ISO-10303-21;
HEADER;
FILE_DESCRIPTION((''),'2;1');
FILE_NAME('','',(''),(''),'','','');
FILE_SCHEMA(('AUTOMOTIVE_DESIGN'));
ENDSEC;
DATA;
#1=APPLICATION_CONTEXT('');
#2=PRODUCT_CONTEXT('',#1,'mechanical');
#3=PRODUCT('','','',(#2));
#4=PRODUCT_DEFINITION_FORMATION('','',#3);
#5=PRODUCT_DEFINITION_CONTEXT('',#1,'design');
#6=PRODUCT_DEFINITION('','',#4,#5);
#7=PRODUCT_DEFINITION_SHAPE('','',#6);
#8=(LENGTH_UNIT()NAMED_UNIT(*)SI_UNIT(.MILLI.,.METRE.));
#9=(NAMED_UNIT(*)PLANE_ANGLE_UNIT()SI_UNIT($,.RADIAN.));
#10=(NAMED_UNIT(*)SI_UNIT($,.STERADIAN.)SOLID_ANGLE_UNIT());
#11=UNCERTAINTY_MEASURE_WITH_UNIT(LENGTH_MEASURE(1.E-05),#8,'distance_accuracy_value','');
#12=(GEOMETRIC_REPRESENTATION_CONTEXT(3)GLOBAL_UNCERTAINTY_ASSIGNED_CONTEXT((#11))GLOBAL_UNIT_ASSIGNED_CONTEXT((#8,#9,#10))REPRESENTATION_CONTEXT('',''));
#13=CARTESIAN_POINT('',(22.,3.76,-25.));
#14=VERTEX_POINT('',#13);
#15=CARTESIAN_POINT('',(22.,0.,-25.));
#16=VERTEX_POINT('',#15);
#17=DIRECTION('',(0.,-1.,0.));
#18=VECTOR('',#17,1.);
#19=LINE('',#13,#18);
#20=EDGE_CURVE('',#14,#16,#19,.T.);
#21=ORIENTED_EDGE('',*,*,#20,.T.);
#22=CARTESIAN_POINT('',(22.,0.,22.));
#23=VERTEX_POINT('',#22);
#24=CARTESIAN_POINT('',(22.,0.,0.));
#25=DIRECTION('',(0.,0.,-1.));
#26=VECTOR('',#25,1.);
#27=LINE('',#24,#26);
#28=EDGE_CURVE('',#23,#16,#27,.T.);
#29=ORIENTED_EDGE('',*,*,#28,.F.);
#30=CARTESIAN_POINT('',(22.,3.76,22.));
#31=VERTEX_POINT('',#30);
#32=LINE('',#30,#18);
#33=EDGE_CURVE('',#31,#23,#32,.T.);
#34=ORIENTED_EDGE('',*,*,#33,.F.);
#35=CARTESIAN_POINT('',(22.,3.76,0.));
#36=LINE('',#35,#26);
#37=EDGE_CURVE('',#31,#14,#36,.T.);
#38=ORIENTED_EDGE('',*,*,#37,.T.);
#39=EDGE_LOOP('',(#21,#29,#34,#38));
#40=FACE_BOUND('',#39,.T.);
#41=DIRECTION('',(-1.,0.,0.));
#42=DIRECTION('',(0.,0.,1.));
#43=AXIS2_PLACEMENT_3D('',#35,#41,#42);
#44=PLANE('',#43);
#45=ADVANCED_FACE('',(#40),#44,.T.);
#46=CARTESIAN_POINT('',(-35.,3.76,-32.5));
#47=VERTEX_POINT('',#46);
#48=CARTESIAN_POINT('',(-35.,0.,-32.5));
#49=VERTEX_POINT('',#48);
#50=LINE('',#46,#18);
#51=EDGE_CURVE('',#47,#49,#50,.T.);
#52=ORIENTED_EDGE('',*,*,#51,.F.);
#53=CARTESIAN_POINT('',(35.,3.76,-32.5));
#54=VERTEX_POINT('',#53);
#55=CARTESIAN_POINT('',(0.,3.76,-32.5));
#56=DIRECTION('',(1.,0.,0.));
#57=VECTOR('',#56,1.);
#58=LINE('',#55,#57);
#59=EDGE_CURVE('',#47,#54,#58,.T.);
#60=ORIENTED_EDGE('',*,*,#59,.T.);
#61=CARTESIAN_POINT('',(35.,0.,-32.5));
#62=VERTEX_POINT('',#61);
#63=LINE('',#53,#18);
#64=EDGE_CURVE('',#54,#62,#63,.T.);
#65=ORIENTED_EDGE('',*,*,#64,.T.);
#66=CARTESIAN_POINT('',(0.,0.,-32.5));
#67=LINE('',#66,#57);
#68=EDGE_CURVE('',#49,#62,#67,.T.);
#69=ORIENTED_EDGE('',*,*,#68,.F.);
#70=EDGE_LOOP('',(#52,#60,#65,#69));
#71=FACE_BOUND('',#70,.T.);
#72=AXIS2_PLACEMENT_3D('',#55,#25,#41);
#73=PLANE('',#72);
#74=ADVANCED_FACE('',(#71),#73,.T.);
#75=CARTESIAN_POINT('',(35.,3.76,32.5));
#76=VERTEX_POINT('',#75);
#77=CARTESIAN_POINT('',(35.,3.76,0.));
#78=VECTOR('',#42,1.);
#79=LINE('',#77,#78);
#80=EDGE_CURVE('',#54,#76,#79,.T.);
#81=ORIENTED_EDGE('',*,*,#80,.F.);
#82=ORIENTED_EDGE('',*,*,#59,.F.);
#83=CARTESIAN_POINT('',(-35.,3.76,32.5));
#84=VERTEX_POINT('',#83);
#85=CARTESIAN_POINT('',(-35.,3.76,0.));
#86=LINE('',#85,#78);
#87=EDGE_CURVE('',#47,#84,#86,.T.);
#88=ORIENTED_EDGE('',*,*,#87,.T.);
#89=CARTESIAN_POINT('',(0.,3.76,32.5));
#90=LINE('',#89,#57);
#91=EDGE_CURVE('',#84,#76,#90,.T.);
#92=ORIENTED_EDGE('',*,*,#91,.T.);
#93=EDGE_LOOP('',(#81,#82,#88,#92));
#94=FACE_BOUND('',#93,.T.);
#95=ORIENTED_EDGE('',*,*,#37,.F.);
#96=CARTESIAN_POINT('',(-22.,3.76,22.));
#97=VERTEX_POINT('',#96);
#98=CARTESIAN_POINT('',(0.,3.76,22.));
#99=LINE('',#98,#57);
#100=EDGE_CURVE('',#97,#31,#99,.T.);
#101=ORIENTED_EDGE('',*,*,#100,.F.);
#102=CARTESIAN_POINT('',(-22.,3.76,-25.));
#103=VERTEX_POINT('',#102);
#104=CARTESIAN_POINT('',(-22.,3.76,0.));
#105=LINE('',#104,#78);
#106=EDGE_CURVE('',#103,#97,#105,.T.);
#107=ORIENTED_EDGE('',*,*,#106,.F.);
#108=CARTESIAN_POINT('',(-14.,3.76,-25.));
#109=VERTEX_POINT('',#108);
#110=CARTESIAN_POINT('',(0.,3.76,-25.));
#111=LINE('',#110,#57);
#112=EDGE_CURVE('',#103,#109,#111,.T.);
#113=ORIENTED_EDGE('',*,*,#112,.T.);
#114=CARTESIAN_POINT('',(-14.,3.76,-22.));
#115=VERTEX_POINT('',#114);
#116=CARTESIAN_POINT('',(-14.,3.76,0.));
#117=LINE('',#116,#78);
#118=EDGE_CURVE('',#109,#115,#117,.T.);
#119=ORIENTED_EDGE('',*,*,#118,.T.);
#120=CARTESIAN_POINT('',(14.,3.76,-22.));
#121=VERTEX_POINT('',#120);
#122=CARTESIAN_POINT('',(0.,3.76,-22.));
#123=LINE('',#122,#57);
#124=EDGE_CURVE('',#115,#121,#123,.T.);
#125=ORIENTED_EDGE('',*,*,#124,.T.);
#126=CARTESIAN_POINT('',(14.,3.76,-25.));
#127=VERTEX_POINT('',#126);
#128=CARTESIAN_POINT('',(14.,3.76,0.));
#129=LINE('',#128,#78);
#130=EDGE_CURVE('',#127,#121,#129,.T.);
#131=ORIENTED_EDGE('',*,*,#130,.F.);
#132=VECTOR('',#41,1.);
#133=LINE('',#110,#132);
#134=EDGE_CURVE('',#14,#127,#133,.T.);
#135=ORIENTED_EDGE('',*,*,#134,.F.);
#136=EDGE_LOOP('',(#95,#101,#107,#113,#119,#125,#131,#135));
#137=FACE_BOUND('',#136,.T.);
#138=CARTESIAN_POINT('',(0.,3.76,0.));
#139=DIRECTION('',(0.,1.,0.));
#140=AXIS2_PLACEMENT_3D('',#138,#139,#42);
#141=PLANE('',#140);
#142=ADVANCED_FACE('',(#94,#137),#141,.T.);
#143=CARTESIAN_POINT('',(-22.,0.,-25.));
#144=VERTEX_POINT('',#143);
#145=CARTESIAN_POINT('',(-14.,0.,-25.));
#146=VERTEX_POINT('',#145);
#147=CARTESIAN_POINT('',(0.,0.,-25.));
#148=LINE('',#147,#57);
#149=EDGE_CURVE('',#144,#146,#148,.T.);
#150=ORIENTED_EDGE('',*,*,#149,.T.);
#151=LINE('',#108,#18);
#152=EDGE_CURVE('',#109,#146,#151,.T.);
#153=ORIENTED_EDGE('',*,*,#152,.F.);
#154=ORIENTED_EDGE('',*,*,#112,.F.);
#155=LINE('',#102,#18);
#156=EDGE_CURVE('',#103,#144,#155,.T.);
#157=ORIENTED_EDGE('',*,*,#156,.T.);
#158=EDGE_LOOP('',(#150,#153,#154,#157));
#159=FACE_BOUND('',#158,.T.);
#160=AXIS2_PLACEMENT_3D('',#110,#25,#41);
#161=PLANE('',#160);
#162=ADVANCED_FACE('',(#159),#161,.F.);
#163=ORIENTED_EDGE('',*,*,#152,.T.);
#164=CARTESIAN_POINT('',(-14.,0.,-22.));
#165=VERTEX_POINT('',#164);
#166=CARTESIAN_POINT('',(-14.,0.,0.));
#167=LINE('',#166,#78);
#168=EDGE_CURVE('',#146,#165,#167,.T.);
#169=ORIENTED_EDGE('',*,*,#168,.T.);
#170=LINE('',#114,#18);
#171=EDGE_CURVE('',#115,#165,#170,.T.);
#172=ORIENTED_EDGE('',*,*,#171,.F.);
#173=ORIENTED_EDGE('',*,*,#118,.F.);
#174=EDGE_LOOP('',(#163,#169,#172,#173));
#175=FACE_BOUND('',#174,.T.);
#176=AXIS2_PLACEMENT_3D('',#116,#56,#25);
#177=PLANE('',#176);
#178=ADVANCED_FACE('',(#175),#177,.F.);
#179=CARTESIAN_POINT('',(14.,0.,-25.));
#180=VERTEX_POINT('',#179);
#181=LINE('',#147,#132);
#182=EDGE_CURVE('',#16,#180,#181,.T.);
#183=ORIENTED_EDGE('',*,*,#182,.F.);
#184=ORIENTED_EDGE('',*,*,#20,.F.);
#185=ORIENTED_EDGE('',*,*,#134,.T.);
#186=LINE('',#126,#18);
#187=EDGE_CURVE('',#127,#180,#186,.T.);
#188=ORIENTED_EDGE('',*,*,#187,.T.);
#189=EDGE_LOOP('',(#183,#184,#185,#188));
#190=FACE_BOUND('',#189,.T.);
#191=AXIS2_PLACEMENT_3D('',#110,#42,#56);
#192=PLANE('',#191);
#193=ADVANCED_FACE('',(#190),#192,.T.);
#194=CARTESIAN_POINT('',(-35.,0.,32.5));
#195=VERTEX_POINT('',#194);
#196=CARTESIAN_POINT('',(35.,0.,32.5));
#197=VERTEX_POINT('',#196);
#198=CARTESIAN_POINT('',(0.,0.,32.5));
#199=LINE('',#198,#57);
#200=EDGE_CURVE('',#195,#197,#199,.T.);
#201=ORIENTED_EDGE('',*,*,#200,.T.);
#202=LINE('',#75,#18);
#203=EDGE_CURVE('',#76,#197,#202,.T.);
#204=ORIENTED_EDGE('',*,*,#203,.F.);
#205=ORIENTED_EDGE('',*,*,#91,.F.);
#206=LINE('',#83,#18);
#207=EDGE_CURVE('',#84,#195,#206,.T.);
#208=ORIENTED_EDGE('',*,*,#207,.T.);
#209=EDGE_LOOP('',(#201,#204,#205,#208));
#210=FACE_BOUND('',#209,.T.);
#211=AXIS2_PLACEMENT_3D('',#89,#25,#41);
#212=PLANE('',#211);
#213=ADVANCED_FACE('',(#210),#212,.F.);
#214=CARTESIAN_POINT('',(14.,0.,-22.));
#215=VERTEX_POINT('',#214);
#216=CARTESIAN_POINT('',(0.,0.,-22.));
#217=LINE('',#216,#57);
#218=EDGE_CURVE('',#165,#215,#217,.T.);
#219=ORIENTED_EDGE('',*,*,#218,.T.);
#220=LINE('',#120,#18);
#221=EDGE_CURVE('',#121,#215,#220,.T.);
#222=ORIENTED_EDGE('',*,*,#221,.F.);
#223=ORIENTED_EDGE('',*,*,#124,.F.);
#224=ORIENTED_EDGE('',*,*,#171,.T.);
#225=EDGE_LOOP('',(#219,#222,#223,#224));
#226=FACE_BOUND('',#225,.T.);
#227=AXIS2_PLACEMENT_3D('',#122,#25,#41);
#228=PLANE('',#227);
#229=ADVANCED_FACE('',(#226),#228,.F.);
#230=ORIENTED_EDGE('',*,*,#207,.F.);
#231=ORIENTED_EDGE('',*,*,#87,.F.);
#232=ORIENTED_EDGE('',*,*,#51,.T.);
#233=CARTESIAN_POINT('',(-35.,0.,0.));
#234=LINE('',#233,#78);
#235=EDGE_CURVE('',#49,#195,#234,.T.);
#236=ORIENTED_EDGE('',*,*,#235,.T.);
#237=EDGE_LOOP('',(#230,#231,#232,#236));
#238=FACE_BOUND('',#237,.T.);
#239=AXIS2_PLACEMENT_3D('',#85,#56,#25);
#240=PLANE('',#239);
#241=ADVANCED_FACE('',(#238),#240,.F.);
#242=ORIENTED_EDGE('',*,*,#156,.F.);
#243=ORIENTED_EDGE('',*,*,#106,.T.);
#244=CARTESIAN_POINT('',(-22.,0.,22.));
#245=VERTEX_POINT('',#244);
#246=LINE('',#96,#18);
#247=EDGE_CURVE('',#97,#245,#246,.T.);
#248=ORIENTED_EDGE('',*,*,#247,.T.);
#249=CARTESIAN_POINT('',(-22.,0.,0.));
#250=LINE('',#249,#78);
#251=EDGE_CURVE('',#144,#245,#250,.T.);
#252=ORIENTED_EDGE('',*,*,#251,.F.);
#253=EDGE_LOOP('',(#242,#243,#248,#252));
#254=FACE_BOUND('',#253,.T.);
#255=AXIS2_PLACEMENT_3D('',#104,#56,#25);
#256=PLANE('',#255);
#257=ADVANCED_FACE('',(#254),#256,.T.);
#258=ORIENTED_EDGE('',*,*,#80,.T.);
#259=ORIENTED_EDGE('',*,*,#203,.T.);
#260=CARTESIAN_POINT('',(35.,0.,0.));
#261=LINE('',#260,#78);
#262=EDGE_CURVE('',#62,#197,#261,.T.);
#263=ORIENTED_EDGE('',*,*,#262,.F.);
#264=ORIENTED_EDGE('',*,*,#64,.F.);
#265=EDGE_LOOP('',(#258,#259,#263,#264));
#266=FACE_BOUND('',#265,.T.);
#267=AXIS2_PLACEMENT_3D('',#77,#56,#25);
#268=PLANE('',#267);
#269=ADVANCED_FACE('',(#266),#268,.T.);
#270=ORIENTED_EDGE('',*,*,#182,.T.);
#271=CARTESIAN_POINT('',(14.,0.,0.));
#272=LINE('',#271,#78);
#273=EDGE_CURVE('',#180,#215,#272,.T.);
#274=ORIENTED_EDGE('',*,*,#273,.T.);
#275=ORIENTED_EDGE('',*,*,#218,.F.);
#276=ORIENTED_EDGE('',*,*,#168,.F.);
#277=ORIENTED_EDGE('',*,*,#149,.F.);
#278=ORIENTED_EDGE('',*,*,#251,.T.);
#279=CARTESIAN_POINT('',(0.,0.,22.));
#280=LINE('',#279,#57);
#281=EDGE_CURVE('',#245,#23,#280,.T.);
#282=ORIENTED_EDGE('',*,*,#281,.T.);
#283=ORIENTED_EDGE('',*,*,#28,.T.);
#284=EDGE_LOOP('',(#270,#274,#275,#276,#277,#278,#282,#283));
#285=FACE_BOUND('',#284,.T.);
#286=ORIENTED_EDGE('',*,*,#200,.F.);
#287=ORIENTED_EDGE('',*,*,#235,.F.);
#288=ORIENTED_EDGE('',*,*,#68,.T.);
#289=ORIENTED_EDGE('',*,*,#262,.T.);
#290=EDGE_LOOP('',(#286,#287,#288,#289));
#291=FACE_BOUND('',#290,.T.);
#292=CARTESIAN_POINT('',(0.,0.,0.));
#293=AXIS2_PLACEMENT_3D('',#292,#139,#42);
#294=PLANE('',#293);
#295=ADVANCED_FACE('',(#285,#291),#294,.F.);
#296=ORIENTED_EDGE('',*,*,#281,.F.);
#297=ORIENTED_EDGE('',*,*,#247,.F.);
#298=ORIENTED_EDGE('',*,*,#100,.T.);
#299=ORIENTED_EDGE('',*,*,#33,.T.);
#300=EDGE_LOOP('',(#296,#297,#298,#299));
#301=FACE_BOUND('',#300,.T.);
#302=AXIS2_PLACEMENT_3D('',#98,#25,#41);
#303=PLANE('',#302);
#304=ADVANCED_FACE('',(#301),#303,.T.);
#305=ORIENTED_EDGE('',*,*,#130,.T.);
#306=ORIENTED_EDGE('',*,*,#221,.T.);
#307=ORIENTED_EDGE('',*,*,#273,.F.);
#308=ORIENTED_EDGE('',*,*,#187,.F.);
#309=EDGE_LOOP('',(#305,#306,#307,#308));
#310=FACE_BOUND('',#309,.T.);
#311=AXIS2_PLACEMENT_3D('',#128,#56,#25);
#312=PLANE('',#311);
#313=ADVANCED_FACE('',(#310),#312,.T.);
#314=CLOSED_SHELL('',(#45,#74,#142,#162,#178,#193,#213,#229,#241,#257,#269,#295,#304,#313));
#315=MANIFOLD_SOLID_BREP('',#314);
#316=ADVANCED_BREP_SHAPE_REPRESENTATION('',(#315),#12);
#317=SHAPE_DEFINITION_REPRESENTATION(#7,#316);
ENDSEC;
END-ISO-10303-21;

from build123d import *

# Parameters (mm, degrees)
SCHIZZO1_W                   = 70
SCHIZZO1_H                   = 65
ESTRUSIONE_ESTRUSIONE1_DEPTH = 3.76


with BuildPart() as part:
    # Schizzo1 → Estrusione-Estrusione1 (new body)
    with BuildSketch(Plane(origin=(0, 0, 0), x_dir=(1, 0, 0), z_dir=(0, 1, 0))):
        Rectangle(SCHIZZO1_W, SCHIZZO1_H)
        Polygon((-22, -22), (-22, 22), (-22, 25), (-14, 25), (-14, 22), (14, 22), (14, 25), (22, 25), (22, 22), (22, -22), align=None, mode=Mode.SUBTRACT)
    extrude(amount=ESTRUSIONE_ESTRUSIONE1_DEPTH)


solid = part.part
